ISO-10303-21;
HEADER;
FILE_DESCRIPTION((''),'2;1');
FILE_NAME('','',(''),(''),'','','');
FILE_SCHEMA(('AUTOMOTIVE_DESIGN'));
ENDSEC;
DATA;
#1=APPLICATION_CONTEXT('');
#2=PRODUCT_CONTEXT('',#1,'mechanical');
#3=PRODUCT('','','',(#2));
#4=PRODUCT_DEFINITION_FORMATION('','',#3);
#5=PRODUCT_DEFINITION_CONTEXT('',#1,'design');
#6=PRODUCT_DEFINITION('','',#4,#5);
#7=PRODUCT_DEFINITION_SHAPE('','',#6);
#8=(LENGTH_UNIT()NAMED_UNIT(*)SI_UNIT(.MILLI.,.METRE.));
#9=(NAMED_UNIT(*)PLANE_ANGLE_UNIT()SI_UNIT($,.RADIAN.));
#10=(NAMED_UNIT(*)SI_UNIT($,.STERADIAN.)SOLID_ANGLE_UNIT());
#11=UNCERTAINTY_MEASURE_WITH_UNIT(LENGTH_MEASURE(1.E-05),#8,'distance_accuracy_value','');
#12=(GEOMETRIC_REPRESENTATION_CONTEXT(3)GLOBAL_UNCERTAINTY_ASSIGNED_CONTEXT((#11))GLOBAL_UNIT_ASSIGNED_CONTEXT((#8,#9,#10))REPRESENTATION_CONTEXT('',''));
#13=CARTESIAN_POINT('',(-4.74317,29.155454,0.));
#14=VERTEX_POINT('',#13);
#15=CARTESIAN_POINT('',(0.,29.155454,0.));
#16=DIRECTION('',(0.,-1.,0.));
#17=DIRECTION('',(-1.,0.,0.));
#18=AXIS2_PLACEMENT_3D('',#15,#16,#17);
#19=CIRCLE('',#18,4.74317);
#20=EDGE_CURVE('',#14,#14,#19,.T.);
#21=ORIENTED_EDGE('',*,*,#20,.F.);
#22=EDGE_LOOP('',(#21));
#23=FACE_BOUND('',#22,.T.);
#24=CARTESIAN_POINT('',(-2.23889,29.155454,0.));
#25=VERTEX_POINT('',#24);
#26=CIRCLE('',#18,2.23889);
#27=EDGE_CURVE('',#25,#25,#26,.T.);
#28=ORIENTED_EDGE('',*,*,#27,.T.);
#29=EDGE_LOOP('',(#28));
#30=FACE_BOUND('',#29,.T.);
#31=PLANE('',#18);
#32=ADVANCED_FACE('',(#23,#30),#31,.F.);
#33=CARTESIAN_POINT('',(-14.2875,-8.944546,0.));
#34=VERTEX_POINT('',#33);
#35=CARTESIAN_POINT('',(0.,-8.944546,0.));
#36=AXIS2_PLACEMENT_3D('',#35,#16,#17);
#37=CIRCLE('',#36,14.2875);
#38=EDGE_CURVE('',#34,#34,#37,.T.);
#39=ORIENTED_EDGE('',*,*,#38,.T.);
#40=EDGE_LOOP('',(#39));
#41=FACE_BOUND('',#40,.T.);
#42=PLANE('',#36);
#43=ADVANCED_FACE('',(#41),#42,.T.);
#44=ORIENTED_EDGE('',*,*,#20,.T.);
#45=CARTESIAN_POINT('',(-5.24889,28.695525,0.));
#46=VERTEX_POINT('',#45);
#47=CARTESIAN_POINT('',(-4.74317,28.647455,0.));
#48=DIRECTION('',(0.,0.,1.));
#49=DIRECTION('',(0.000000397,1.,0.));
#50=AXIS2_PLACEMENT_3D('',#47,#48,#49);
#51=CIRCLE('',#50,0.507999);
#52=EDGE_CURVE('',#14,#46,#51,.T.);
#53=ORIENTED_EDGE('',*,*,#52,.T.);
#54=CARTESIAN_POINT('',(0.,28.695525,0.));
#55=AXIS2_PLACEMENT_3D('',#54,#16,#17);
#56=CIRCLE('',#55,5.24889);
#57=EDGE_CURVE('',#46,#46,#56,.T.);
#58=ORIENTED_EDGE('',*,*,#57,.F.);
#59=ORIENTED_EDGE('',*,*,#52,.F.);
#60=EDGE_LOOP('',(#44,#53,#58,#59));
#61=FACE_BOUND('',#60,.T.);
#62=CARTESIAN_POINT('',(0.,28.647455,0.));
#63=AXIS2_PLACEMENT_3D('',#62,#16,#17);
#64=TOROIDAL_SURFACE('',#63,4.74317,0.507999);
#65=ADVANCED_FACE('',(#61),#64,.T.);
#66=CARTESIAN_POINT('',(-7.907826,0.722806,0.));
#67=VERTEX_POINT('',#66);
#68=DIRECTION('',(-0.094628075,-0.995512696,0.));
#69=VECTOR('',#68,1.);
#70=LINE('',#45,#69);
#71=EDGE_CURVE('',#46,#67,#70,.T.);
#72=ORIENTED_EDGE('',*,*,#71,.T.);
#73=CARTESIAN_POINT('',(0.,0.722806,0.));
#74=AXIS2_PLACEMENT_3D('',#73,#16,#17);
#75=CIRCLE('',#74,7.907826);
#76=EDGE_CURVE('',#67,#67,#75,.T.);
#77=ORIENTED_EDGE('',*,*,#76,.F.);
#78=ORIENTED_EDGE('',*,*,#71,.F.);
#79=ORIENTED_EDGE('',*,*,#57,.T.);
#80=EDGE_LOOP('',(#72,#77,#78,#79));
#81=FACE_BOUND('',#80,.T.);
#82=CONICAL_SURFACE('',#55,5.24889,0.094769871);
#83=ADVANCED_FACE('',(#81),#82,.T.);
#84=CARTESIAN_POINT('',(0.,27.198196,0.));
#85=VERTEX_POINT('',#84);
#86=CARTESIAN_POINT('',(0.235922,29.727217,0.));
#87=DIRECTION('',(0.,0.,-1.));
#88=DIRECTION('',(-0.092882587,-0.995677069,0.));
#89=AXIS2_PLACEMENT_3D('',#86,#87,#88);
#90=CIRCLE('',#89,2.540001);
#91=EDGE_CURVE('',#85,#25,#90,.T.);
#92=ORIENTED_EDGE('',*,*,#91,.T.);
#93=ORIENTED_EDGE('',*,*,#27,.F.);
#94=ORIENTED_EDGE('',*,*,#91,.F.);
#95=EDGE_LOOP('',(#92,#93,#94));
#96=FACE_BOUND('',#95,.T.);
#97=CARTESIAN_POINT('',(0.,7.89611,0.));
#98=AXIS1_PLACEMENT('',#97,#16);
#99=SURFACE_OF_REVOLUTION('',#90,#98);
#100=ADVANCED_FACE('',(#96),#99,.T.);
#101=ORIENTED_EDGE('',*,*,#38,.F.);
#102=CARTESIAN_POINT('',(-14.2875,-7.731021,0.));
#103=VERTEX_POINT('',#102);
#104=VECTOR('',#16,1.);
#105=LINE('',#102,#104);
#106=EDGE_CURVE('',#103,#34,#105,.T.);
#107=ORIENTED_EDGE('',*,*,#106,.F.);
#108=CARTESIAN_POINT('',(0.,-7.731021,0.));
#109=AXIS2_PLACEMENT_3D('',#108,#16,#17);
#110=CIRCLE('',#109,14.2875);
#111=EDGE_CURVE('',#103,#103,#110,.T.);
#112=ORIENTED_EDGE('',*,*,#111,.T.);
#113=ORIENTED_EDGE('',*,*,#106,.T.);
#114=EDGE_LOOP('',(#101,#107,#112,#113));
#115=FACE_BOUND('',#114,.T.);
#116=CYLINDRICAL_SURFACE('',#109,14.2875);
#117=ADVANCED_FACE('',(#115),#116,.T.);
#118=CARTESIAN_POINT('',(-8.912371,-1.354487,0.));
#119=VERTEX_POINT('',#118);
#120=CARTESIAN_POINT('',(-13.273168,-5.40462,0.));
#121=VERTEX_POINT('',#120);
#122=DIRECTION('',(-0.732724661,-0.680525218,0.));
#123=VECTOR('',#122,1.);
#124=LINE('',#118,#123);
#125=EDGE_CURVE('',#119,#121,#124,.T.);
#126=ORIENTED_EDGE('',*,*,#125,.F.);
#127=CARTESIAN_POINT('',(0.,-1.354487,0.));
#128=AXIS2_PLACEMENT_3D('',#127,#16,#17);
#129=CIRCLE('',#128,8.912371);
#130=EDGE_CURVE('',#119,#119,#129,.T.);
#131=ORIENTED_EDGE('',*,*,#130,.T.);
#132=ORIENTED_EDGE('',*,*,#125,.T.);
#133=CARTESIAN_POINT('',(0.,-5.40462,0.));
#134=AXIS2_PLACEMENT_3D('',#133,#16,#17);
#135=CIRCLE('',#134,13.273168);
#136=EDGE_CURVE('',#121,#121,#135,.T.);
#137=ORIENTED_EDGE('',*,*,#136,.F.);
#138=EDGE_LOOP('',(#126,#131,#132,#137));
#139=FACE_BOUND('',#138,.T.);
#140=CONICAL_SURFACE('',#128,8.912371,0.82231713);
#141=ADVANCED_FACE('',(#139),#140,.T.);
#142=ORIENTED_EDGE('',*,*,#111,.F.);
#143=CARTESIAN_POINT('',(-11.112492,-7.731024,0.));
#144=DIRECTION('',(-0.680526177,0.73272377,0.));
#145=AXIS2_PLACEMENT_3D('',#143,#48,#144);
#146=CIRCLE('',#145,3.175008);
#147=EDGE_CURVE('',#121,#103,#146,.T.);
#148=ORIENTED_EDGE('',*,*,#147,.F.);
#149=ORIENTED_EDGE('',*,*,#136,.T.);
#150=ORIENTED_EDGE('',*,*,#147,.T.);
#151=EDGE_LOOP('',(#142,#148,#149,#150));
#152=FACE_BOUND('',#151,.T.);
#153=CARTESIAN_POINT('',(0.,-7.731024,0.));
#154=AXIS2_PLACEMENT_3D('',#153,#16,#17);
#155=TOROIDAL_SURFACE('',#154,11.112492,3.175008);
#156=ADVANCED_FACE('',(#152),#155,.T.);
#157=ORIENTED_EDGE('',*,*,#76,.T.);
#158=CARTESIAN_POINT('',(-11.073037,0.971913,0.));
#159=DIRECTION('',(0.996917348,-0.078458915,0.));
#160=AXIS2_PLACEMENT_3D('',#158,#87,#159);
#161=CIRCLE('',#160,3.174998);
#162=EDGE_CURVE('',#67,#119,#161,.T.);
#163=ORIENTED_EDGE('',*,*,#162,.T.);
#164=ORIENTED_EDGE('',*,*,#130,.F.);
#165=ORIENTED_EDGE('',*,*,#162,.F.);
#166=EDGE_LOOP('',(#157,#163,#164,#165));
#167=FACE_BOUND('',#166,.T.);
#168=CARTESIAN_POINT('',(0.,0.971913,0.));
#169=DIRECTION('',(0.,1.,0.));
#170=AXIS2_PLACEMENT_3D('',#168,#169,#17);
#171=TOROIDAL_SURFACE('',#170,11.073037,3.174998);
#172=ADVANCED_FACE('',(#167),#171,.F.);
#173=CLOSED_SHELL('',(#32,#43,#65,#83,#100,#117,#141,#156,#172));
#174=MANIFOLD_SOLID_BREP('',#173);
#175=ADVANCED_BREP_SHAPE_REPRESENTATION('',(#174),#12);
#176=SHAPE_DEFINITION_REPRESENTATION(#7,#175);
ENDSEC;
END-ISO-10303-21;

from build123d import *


with BuildPart() as f1:
    # F0 (on Top) → F1 (revolve)
    with BuildSketch(Plane.XY):
        with BuildLine():
            Line((0, -8.944546), (0, 27.198196))
            ThreePointArc((0, 27.198196), (-1.435824, 27.814922), (-2.23889, 29.155454))
            Line((-2.23889, 29.155454), (-4.74317, 29.155454))
            ThreePointArc((-4.74317, 29.155454), (-5.084962, 29.023276), (-5.24889, 28.695525))
            Line((-5.24889, 28.695525), (-7.907826, 0.722806))
            ThreePointArc((-7.907826, 0.722806), (-8.214711, -0.410327), (-8.912371, -1.354487))
            Line((-8.912371, -1.354487), (-13.273168, -5.40462))
            ThreePointArc((-13.273168, -5.40462), (-14.02289, -6.462064), (-14.2875, -7.731021))
            Line((-14.2875, -7.731021), (-14.2875, -8.944546))
            Line((-14.2875, -8.944546), (0, -8.944546))
        make_face()
    revolve(axis=Axis((0, 7.89611, 0), (0, -1, 0)))


solid = f1.part
